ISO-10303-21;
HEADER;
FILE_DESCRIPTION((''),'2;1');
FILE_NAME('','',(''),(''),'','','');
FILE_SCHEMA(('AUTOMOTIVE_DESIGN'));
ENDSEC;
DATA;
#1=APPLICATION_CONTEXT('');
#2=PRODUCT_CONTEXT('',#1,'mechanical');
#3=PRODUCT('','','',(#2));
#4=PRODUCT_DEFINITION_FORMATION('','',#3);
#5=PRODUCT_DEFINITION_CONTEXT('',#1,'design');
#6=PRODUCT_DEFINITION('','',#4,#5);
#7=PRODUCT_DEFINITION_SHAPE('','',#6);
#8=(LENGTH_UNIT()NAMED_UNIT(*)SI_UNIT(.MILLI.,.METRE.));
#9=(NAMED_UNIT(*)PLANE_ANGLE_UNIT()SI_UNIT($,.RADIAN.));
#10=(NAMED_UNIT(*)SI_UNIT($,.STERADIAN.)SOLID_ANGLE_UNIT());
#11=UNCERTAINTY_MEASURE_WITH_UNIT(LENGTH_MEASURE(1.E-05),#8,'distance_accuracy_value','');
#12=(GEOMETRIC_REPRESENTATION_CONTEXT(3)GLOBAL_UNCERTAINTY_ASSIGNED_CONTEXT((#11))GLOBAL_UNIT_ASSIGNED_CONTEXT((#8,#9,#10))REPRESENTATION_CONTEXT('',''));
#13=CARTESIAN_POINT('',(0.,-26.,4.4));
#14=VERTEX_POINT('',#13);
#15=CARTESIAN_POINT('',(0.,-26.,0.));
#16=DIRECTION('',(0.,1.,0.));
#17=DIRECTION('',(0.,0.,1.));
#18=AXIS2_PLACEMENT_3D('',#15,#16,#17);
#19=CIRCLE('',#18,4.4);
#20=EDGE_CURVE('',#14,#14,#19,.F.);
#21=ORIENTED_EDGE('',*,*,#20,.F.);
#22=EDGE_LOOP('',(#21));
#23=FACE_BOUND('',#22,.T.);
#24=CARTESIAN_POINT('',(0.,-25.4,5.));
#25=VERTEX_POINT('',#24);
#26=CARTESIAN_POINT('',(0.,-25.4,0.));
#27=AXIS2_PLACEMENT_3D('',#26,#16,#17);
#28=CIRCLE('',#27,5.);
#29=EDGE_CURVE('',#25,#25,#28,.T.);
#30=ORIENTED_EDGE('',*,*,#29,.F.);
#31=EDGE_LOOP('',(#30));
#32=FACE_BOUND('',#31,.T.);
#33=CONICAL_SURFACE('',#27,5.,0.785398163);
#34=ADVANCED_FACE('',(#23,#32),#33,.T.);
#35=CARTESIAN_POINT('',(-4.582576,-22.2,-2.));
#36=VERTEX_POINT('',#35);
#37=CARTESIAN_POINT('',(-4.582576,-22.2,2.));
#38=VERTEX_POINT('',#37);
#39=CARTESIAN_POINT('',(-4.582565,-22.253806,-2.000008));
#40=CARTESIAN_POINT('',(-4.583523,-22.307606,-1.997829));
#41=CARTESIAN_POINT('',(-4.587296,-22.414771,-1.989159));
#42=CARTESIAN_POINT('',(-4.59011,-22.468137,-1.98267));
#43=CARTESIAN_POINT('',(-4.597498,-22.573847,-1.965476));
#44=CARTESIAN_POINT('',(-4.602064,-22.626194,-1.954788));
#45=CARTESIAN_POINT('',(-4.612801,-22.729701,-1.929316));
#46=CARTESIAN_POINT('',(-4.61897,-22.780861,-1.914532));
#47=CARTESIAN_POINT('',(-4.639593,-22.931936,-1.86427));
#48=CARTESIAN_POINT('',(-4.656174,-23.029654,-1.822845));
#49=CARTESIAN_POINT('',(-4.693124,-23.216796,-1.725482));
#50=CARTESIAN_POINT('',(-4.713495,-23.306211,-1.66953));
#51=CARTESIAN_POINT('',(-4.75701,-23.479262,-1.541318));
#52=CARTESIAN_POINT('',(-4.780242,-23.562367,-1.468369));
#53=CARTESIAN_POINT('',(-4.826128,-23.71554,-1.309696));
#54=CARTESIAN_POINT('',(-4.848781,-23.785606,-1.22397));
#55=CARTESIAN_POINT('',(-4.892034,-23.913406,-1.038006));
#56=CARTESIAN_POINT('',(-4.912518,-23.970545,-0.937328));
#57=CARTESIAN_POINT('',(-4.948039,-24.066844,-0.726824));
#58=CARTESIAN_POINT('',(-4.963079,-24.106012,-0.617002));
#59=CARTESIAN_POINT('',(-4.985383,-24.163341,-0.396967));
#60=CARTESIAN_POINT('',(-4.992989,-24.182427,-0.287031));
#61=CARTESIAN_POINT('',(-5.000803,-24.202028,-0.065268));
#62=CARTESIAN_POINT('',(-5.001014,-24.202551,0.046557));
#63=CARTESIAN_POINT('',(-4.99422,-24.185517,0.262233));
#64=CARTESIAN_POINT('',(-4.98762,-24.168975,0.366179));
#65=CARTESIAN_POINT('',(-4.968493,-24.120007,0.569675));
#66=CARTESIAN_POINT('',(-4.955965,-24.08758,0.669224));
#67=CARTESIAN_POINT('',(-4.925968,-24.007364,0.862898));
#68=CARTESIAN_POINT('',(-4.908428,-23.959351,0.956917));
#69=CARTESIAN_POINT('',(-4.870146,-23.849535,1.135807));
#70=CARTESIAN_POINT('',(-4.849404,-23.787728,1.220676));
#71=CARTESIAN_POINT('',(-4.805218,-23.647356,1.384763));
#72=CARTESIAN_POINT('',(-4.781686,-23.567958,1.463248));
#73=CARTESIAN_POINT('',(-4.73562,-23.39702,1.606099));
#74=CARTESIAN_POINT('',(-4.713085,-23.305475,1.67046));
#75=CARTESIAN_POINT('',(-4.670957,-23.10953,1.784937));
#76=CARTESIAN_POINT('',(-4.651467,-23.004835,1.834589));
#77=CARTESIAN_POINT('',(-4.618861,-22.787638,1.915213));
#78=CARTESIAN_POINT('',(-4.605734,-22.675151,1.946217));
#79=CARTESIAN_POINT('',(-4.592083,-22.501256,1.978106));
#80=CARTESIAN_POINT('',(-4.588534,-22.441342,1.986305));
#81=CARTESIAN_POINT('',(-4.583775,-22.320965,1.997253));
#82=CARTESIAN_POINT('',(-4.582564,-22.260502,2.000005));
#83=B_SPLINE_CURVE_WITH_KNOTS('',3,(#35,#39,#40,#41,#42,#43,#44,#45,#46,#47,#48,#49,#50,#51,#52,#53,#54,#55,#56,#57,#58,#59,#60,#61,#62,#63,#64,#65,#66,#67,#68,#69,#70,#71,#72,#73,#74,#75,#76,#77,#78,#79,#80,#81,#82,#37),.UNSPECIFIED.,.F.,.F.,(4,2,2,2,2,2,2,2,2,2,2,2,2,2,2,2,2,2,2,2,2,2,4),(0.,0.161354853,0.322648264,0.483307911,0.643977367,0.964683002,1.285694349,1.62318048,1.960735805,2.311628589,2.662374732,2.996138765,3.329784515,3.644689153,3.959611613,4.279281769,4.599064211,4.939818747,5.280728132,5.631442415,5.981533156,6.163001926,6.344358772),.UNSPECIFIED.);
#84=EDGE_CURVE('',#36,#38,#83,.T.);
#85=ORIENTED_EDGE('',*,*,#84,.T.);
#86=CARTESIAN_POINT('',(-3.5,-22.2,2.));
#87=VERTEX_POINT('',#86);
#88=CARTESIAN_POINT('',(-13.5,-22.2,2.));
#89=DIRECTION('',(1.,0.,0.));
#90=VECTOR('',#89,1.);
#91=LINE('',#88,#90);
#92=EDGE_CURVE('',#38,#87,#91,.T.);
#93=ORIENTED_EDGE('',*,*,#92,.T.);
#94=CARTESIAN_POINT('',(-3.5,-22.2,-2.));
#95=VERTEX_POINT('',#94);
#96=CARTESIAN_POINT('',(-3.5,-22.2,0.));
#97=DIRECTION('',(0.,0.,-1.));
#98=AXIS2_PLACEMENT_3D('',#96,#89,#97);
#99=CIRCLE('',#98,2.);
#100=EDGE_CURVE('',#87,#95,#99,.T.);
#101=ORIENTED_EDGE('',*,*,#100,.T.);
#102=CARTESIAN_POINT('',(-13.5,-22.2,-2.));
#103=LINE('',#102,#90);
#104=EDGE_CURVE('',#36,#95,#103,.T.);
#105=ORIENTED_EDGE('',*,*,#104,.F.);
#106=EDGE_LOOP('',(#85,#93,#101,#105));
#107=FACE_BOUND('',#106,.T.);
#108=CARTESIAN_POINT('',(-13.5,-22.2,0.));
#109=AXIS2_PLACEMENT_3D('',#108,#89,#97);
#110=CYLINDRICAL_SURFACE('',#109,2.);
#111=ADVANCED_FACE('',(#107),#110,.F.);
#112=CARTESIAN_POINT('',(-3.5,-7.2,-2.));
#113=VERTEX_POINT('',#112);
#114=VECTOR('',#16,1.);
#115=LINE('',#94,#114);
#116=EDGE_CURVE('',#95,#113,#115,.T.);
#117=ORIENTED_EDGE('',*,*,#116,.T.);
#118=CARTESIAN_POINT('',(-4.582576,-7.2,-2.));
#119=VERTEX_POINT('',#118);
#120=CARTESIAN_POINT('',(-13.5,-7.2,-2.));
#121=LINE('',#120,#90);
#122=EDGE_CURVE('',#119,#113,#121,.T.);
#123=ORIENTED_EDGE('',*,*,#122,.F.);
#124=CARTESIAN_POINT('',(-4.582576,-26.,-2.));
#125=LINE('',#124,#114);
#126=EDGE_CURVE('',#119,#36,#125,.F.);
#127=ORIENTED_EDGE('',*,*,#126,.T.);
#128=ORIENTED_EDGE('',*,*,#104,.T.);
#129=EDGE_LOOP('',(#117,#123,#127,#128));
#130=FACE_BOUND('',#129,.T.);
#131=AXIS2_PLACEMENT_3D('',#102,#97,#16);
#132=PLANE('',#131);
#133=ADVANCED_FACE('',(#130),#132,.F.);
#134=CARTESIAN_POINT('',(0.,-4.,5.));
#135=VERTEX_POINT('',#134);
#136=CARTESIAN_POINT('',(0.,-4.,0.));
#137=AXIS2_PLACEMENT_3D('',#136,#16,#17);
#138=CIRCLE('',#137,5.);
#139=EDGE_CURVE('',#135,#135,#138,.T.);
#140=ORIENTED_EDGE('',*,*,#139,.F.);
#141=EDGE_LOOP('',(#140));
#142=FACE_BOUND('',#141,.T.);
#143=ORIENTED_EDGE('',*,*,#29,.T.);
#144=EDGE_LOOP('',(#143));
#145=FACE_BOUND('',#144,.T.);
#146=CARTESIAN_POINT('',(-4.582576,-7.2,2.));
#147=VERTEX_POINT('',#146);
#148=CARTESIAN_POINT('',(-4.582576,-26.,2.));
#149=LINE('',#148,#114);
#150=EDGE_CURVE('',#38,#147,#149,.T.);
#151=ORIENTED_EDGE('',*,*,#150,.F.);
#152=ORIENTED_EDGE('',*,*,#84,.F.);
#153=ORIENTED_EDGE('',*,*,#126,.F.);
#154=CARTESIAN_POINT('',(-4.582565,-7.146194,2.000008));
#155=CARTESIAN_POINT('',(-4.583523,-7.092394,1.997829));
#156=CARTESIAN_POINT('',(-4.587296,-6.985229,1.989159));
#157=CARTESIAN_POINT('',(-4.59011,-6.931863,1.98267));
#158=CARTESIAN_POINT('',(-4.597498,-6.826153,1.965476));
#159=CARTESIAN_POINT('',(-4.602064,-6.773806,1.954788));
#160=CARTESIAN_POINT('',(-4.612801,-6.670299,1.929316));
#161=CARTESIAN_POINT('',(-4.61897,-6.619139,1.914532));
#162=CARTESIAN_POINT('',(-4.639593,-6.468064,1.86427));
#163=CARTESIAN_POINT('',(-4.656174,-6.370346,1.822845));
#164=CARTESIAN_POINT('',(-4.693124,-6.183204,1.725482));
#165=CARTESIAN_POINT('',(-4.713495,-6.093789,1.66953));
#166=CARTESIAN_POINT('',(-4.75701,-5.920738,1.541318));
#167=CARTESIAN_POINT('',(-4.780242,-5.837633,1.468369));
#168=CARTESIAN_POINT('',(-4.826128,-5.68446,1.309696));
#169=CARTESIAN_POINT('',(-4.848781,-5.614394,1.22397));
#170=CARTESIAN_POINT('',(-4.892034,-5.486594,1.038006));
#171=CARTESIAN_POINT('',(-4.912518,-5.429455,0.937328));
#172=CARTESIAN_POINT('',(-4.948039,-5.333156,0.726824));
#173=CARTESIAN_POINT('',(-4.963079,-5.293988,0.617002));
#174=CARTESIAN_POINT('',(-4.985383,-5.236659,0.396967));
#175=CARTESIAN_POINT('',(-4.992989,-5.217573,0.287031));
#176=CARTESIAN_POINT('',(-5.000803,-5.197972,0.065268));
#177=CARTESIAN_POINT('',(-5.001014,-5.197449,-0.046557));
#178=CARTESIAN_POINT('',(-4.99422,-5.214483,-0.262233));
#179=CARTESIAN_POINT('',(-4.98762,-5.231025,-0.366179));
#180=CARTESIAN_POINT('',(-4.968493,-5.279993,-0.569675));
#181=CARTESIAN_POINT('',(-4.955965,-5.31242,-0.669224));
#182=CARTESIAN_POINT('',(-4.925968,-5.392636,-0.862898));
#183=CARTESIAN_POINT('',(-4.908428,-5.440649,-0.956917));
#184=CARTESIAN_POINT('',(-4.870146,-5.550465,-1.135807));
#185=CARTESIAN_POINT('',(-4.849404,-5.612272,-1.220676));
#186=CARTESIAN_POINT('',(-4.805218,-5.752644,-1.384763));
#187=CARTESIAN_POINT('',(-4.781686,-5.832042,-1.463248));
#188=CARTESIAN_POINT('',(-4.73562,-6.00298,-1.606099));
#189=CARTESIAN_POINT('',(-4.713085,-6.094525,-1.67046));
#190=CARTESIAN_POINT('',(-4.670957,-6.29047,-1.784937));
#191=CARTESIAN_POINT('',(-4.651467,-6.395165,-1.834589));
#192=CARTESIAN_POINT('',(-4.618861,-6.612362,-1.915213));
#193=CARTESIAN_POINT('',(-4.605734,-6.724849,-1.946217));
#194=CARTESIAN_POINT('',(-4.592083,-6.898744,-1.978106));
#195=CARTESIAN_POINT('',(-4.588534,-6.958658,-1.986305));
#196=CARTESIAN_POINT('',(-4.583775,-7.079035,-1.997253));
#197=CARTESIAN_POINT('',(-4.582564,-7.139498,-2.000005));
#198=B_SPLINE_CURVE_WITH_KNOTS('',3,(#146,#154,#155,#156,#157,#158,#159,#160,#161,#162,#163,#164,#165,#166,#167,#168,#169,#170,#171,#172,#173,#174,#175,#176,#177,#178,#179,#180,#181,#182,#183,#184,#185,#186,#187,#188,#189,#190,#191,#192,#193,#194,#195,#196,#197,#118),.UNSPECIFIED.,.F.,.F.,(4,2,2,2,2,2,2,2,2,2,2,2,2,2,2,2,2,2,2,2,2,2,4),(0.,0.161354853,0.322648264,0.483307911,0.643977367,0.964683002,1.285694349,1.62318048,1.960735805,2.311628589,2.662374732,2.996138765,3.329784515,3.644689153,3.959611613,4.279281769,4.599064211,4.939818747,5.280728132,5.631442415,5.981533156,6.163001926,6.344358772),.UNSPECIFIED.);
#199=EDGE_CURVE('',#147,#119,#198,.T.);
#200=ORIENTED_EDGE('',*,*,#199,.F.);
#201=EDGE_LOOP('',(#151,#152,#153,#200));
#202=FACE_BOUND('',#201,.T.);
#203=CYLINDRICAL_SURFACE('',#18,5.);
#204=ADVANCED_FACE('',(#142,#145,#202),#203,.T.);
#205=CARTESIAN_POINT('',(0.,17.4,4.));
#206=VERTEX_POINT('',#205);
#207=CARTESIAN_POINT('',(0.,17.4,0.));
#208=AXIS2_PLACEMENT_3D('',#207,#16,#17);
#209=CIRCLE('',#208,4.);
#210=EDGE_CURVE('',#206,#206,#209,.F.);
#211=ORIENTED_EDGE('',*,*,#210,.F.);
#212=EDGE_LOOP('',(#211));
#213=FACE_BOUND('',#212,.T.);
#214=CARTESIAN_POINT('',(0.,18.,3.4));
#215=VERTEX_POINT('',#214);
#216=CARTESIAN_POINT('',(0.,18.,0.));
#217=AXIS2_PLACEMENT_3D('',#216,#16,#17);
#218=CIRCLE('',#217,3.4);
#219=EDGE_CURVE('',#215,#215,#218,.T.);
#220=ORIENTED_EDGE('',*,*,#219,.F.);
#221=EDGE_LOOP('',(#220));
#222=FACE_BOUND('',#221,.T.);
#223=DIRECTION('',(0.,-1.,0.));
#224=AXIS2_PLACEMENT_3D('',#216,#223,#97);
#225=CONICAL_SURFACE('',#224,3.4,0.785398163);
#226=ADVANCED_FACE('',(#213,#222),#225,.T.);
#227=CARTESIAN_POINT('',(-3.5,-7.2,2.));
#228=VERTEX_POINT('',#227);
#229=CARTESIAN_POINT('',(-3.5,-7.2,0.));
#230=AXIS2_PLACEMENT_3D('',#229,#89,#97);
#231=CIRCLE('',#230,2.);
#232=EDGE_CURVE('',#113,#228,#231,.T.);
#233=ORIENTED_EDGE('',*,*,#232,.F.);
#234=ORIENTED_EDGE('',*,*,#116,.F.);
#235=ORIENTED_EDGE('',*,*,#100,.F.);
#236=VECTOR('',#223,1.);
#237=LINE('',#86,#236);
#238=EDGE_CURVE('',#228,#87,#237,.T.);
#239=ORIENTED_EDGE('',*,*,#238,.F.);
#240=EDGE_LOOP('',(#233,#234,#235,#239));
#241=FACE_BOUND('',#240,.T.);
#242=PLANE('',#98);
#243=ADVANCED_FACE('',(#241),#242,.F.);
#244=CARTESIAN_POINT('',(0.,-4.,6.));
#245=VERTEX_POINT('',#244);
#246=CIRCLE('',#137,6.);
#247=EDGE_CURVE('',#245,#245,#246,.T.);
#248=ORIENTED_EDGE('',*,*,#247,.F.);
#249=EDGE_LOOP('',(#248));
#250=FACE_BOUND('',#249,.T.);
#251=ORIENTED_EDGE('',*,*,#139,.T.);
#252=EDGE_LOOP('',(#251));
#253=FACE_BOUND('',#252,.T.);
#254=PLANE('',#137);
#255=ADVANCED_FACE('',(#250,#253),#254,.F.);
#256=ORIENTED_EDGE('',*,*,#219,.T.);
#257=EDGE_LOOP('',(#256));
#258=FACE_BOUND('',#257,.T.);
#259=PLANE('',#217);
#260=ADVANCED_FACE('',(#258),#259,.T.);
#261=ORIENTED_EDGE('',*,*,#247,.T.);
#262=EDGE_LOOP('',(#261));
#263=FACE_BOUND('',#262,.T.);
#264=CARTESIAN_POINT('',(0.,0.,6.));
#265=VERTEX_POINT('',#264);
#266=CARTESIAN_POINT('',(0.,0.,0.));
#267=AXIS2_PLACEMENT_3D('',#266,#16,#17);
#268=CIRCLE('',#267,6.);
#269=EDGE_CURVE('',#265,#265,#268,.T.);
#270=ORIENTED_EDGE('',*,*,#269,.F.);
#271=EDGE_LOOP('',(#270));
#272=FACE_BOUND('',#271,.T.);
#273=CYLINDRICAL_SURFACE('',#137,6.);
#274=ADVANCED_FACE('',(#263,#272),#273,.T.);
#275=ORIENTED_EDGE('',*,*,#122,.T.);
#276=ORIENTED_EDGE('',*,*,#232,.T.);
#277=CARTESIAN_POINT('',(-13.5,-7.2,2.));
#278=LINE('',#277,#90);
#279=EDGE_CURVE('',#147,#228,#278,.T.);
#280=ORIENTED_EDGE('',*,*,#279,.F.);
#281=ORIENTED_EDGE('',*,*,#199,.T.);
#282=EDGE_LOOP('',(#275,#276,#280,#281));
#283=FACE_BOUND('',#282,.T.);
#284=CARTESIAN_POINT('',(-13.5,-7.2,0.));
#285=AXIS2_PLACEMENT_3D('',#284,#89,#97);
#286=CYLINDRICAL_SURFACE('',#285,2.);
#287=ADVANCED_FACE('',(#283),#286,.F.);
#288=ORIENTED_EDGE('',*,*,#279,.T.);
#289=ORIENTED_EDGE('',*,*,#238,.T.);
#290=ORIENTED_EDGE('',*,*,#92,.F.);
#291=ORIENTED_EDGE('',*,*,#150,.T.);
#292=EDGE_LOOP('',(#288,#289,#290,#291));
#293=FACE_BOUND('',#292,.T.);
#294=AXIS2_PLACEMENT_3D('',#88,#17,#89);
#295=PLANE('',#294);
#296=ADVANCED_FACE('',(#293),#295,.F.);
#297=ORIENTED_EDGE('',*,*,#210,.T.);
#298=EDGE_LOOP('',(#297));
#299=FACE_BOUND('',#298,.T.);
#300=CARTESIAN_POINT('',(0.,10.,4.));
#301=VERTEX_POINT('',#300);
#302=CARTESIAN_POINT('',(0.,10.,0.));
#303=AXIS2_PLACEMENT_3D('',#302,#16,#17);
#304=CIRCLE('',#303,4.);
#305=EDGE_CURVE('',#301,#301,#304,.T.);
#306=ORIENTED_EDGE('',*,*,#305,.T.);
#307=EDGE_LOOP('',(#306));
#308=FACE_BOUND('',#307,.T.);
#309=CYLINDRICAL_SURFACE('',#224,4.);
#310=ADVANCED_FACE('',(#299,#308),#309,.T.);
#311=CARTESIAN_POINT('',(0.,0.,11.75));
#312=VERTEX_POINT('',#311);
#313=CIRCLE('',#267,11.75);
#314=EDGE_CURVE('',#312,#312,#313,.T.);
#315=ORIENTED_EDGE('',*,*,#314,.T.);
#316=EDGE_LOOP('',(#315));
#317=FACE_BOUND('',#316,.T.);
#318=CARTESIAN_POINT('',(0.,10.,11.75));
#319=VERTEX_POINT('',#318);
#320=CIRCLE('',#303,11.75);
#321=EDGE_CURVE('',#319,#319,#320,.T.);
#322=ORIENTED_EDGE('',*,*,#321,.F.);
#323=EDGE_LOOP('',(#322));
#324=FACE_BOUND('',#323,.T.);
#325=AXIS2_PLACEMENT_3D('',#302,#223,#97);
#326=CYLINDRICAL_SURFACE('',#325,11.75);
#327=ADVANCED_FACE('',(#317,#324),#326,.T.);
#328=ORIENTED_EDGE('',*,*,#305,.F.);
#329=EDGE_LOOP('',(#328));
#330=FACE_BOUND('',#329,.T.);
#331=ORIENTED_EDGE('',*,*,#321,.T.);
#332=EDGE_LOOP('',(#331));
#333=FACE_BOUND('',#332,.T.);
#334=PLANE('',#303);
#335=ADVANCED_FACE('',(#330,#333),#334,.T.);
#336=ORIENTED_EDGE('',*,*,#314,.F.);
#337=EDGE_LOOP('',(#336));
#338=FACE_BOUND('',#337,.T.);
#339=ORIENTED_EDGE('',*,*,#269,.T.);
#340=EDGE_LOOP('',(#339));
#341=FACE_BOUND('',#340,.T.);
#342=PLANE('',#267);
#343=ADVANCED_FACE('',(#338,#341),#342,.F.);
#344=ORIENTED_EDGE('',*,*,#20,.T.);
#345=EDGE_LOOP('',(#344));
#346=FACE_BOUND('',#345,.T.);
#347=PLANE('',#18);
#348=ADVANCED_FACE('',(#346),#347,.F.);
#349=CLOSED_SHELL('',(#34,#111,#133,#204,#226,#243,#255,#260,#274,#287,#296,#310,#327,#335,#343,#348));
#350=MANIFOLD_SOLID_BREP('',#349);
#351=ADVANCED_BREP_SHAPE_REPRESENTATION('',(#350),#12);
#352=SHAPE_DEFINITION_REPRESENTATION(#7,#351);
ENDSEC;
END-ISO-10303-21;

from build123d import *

# Parameters (mm, degrees)
SKETCH_1_R          = 11.75
EXTRUDE_1_DEPTH     = 10
SKETCH_1_3_R        = 6
EXTRUDE_2_DEPTH     = 4
SKETCH_1_4_R        = 5
EXTRUDE_3_DEPTH     = 26
CHAMFER_1_SIZE      = 0.6
SKETCH_2_R          = 4
EXTRUDE_4_DEPTH     = 8
CHAMFER_2_SIZE      = 0.6
CUT_EXTRUDE_1_DEPTH = 10


with BuildPart() as part:
    # 草图1 → 凸台-拉伸1 (new body)
    with BuildSketch(Plane(origin=(0, 0, 0), x_dir=(1, 0, 0), z_dir=(0, 1, 0))):
        Circle(SKETCH_1_R)
    extrude(amount=EXTRUDE_1_DEPTH)

    # 草图1<3> → 凸台-拉伸2 (add)
    with BuildSketch(Plane(origin=(0, 0, 0), x_dir=(1, 0, 0), z_dir=(0, 1, 0))):
        Circle(SKETCH_1_3_R)
    extrude(amount=-EXTRUDE_2_DEPTH)

    # 草图1<4> → 凸台-拉伸3 (add)
    with BuildSketch(Plane(origin=(0, 0, 0), x_dir=(1, 0, 0), z_dir=(0, 1, 0))):
        Circle(SKETCH_1_4_R)
    extrude(amount=-EXTRUDE_3_DEPTH)

    # 倒角1
    chamfer_1_edges = [part.edges().sort_by_distance(p)[0] for p in [
        (-5, -26, 0),
    ]]
    chamfer(chamfer_1_edges, length=CHAMFER_1_SIZE)

    # 草图2 → 凸台-拉伸4 (add)
    with BuildSketch(Plane(origin=(0, 10, 0), x_dir=(1, 0, 0), z_dir=(0, 1, 0))):
        Circle(SKETCH_2_R)
    extrude(amount=EXTRUDE_4_DEPTH)

    # 倒角2
    chamfer_2_edges = [part.edges().sort_by_distance(p)[0] for p in [
        (-4, 18, 0),
    ]]
    chamfer(chamfer_2_edges, length=CHAMFER_2_SIZE)

    # 草图3 → 切除-拉伸1 (cut)
    with BuildSketch(Plane(origin=(-3.5, 0, 0), x_dir=(0, 0, -1), z_dir=(1, 0, 0))):
        with BuildLine():
            Line((-2, -22.2), (-2, -7.2))
            ThreePointArc((-2, -7.2), (0, -5.2), (2, -7.2))
            Line((2, -7.2), (2, -22.2))
            ThreePointArc((2, -22.2), (0, -24.2), (-2, -22.2))
        make_face()
    extrude(amount=-CUT_EXTRUDE_1_DEPTH, mode=Mode.SUBTRACT)


solid = part.part
